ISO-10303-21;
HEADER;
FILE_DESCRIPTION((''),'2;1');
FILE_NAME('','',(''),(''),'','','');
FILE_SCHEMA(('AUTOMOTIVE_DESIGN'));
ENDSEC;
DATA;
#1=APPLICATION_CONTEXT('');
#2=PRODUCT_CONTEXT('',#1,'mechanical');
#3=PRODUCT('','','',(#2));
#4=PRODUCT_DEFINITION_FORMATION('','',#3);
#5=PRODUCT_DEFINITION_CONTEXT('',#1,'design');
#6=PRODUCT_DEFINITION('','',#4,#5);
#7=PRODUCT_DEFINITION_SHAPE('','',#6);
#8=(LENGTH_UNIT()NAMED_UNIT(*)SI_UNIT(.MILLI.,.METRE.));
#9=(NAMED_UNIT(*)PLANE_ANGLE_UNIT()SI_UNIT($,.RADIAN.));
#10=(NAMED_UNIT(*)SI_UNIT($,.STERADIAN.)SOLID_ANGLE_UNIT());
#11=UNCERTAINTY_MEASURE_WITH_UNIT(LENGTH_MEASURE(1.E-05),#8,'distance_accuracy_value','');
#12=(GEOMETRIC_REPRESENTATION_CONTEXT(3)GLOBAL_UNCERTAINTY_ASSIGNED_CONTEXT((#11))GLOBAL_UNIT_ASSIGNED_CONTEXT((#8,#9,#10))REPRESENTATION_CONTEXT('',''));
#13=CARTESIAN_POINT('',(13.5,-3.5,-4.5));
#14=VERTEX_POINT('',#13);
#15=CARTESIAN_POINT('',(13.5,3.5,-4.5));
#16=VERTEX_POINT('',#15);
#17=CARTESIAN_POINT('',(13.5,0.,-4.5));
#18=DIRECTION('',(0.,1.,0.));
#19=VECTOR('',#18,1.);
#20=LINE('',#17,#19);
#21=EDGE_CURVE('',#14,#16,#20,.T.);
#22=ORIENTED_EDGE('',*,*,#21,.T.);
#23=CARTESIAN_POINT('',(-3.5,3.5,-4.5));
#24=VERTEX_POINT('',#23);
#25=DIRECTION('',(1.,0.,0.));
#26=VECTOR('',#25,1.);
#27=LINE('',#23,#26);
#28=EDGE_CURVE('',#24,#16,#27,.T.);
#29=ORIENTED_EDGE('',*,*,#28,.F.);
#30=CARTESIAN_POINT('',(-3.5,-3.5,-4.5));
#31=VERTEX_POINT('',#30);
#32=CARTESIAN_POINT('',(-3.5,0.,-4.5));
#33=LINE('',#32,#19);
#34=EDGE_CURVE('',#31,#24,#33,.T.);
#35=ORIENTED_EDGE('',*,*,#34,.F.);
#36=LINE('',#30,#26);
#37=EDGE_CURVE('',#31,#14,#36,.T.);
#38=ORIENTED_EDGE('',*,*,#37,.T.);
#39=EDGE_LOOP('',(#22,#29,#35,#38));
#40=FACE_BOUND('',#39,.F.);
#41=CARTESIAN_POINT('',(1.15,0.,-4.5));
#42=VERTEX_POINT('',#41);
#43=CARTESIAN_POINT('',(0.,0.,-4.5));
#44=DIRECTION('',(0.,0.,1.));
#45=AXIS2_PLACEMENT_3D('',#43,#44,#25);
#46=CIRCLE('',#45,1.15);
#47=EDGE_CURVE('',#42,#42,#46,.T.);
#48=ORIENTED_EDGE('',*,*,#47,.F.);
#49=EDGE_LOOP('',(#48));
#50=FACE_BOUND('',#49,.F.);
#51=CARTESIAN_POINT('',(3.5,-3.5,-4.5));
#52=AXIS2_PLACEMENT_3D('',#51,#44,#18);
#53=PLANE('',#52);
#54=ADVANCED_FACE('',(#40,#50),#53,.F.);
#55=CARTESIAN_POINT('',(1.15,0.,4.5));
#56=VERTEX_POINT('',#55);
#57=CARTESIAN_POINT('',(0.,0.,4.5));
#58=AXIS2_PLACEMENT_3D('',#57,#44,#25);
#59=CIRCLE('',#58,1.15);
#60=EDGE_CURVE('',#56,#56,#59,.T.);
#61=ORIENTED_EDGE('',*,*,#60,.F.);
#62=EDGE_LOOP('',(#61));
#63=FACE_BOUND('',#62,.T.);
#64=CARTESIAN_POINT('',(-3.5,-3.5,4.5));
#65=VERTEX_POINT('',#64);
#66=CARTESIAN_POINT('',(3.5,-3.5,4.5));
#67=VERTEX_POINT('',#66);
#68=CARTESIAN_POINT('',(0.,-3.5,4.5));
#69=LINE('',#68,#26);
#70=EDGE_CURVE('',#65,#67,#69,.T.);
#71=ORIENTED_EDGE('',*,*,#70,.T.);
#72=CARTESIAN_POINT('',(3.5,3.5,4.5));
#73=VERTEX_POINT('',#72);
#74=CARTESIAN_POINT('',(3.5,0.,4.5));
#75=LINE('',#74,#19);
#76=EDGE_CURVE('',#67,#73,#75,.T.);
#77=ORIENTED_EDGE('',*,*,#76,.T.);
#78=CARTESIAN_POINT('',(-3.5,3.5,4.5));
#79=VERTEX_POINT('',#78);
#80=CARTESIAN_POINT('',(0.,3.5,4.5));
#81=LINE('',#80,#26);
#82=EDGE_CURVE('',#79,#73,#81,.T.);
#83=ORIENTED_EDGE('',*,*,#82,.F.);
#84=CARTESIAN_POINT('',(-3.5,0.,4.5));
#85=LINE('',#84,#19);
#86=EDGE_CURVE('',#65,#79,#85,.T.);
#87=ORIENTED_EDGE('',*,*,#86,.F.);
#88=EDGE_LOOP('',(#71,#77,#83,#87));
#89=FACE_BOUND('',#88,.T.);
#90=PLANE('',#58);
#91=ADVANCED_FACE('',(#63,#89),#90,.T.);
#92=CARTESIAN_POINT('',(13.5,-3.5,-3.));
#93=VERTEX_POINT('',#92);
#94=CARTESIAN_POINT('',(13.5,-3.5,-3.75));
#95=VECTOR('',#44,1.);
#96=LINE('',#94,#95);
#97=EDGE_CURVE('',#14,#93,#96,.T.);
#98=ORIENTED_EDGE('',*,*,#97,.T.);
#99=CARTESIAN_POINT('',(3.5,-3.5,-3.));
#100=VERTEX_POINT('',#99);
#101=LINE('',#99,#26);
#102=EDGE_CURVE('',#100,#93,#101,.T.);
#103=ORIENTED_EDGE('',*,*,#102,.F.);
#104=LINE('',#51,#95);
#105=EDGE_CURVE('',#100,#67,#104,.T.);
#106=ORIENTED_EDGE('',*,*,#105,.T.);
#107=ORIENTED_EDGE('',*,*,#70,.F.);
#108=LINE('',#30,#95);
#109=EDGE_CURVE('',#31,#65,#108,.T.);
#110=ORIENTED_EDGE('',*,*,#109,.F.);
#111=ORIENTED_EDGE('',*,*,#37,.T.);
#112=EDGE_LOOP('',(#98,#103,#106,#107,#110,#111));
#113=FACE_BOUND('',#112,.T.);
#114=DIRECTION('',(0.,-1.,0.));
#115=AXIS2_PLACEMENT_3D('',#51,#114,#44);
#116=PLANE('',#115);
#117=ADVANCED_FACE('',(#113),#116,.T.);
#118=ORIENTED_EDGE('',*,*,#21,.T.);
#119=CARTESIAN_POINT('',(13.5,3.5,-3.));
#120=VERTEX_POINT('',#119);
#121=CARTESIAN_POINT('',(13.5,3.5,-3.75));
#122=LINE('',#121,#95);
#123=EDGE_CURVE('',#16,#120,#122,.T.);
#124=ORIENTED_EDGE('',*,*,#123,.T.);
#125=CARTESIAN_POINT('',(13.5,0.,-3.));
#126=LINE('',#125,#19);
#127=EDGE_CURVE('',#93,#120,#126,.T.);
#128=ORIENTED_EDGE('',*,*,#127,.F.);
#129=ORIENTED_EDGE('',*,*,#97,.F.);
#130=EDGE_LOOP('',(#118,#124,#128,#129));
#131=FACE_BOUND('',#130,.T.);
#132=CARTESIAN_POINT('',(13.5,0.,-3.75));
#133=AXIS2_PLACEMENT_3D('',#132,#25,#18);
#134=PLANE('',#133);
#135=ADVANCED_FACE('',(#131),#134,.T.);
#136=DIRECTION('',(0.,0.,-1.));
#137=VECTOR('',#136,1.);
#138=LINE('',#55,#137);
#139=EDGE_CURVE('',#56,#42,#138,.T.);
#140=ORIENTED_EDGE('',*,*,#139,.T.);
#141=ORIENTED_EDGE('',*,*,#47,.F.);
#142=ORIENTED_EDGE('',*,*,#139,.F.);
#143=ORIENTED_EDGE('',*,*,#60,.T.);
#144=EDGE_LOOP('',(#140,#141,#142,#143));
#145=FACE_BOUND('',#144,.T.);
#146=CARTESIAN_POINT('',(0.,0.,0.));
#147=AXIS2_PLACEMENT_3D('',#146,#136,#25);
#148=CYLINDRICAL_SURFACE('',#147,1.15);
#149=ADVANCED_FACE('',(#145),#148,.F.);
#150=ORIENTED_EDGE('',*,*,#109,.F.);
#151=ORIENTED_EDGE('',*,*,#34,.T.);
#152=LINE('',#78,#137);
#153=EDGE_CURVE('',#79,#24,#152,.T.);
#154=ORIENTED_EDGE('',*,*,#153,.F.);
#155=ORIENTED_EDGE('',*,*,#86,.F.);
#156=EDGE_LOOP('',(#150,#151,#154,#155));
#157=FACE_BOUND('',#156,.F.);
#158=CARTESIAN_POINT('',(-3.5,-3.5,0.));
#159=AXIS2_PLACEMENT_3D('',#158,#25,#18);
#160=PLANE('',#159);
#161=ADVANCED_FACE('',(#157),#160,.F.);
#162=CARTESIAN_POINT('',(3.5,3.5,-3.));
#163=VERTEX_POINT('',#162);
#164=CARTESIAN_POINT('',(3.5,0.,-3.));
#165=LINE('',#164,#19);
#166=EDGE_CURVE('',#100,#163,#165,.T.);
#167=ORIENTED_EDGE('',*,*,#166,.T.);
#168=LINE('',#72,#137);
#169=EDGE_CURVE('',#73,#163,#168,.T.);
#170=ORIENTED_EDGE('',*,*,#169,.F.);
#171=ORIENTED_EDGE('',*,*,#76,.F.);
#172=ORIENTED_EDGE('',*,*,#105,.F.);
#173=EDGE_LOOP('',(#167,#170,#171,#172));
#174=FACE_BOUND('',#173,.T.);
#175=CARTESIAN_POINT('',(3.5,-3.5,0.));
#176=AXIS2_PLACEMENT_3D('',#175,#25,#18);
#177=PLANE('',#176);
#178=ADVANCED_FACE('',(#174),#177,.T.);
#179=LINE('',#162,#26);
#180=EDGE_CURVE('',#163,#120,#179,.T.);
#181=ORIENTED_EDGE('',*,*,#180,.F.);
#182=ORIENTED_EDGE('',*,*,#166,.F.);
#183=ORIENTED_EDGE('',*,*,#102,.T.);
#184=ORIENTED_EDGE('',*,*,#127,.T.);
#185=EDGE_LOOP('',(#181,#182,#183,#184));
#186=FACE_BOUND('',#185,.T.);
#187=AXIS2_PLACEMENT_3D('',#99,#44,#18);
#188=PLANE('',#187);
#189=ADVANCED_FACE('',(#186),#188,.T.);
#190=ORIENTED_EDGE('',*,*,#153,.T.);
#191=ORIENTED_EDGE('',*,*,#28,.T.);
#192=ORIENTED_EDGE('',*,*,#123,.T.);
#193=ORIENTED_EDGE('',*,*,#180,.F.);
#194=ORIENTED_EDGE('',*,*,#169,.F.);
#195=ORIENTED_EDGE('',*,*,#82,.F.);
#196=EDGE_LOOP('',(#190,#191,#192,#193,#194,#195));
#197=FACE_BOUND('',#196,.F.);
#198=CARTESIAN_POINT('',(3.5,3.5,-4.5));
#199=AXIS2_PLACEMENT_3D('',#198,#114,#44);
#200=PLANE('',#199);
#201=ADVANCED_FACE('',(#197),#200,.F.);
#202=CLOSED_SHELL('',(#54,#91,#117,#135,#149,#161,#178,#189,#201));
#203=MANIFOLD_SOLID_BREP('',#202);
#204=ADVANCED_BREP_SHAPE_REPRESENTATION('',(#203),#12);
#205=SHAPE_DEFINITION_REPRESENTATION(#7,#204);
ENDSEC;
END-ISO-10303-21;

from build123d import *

# Parameters (mm, degrees)
F0_W     = 7
F0_H     = 7
F0_R     = 1.15
F1_DEPTH = 4.5
F2_W     = 7
F2_H     = 1.5
F3_DEPTH = 10


with BuildPart() as f1:
    # F0 (on Top) → F1 (new body, symmetric)
    with BuildSketch(Plane.XY):
        Rectangle(F0_W, F0_H)
        Circle(F0_R, mode=Mode.SUBTRACT)
    extrude(amount=F1_DEPTH, both=True)

    # F2 (on face) → F3 (join)
    with BuildSketch(Plane.YZ.offset(3.5)):
        with Locations((0, -3.75)):
            Rectangle(F2_W, F2_H)
    extrude(amount=F3_DEPTH)


solid = f1.part
